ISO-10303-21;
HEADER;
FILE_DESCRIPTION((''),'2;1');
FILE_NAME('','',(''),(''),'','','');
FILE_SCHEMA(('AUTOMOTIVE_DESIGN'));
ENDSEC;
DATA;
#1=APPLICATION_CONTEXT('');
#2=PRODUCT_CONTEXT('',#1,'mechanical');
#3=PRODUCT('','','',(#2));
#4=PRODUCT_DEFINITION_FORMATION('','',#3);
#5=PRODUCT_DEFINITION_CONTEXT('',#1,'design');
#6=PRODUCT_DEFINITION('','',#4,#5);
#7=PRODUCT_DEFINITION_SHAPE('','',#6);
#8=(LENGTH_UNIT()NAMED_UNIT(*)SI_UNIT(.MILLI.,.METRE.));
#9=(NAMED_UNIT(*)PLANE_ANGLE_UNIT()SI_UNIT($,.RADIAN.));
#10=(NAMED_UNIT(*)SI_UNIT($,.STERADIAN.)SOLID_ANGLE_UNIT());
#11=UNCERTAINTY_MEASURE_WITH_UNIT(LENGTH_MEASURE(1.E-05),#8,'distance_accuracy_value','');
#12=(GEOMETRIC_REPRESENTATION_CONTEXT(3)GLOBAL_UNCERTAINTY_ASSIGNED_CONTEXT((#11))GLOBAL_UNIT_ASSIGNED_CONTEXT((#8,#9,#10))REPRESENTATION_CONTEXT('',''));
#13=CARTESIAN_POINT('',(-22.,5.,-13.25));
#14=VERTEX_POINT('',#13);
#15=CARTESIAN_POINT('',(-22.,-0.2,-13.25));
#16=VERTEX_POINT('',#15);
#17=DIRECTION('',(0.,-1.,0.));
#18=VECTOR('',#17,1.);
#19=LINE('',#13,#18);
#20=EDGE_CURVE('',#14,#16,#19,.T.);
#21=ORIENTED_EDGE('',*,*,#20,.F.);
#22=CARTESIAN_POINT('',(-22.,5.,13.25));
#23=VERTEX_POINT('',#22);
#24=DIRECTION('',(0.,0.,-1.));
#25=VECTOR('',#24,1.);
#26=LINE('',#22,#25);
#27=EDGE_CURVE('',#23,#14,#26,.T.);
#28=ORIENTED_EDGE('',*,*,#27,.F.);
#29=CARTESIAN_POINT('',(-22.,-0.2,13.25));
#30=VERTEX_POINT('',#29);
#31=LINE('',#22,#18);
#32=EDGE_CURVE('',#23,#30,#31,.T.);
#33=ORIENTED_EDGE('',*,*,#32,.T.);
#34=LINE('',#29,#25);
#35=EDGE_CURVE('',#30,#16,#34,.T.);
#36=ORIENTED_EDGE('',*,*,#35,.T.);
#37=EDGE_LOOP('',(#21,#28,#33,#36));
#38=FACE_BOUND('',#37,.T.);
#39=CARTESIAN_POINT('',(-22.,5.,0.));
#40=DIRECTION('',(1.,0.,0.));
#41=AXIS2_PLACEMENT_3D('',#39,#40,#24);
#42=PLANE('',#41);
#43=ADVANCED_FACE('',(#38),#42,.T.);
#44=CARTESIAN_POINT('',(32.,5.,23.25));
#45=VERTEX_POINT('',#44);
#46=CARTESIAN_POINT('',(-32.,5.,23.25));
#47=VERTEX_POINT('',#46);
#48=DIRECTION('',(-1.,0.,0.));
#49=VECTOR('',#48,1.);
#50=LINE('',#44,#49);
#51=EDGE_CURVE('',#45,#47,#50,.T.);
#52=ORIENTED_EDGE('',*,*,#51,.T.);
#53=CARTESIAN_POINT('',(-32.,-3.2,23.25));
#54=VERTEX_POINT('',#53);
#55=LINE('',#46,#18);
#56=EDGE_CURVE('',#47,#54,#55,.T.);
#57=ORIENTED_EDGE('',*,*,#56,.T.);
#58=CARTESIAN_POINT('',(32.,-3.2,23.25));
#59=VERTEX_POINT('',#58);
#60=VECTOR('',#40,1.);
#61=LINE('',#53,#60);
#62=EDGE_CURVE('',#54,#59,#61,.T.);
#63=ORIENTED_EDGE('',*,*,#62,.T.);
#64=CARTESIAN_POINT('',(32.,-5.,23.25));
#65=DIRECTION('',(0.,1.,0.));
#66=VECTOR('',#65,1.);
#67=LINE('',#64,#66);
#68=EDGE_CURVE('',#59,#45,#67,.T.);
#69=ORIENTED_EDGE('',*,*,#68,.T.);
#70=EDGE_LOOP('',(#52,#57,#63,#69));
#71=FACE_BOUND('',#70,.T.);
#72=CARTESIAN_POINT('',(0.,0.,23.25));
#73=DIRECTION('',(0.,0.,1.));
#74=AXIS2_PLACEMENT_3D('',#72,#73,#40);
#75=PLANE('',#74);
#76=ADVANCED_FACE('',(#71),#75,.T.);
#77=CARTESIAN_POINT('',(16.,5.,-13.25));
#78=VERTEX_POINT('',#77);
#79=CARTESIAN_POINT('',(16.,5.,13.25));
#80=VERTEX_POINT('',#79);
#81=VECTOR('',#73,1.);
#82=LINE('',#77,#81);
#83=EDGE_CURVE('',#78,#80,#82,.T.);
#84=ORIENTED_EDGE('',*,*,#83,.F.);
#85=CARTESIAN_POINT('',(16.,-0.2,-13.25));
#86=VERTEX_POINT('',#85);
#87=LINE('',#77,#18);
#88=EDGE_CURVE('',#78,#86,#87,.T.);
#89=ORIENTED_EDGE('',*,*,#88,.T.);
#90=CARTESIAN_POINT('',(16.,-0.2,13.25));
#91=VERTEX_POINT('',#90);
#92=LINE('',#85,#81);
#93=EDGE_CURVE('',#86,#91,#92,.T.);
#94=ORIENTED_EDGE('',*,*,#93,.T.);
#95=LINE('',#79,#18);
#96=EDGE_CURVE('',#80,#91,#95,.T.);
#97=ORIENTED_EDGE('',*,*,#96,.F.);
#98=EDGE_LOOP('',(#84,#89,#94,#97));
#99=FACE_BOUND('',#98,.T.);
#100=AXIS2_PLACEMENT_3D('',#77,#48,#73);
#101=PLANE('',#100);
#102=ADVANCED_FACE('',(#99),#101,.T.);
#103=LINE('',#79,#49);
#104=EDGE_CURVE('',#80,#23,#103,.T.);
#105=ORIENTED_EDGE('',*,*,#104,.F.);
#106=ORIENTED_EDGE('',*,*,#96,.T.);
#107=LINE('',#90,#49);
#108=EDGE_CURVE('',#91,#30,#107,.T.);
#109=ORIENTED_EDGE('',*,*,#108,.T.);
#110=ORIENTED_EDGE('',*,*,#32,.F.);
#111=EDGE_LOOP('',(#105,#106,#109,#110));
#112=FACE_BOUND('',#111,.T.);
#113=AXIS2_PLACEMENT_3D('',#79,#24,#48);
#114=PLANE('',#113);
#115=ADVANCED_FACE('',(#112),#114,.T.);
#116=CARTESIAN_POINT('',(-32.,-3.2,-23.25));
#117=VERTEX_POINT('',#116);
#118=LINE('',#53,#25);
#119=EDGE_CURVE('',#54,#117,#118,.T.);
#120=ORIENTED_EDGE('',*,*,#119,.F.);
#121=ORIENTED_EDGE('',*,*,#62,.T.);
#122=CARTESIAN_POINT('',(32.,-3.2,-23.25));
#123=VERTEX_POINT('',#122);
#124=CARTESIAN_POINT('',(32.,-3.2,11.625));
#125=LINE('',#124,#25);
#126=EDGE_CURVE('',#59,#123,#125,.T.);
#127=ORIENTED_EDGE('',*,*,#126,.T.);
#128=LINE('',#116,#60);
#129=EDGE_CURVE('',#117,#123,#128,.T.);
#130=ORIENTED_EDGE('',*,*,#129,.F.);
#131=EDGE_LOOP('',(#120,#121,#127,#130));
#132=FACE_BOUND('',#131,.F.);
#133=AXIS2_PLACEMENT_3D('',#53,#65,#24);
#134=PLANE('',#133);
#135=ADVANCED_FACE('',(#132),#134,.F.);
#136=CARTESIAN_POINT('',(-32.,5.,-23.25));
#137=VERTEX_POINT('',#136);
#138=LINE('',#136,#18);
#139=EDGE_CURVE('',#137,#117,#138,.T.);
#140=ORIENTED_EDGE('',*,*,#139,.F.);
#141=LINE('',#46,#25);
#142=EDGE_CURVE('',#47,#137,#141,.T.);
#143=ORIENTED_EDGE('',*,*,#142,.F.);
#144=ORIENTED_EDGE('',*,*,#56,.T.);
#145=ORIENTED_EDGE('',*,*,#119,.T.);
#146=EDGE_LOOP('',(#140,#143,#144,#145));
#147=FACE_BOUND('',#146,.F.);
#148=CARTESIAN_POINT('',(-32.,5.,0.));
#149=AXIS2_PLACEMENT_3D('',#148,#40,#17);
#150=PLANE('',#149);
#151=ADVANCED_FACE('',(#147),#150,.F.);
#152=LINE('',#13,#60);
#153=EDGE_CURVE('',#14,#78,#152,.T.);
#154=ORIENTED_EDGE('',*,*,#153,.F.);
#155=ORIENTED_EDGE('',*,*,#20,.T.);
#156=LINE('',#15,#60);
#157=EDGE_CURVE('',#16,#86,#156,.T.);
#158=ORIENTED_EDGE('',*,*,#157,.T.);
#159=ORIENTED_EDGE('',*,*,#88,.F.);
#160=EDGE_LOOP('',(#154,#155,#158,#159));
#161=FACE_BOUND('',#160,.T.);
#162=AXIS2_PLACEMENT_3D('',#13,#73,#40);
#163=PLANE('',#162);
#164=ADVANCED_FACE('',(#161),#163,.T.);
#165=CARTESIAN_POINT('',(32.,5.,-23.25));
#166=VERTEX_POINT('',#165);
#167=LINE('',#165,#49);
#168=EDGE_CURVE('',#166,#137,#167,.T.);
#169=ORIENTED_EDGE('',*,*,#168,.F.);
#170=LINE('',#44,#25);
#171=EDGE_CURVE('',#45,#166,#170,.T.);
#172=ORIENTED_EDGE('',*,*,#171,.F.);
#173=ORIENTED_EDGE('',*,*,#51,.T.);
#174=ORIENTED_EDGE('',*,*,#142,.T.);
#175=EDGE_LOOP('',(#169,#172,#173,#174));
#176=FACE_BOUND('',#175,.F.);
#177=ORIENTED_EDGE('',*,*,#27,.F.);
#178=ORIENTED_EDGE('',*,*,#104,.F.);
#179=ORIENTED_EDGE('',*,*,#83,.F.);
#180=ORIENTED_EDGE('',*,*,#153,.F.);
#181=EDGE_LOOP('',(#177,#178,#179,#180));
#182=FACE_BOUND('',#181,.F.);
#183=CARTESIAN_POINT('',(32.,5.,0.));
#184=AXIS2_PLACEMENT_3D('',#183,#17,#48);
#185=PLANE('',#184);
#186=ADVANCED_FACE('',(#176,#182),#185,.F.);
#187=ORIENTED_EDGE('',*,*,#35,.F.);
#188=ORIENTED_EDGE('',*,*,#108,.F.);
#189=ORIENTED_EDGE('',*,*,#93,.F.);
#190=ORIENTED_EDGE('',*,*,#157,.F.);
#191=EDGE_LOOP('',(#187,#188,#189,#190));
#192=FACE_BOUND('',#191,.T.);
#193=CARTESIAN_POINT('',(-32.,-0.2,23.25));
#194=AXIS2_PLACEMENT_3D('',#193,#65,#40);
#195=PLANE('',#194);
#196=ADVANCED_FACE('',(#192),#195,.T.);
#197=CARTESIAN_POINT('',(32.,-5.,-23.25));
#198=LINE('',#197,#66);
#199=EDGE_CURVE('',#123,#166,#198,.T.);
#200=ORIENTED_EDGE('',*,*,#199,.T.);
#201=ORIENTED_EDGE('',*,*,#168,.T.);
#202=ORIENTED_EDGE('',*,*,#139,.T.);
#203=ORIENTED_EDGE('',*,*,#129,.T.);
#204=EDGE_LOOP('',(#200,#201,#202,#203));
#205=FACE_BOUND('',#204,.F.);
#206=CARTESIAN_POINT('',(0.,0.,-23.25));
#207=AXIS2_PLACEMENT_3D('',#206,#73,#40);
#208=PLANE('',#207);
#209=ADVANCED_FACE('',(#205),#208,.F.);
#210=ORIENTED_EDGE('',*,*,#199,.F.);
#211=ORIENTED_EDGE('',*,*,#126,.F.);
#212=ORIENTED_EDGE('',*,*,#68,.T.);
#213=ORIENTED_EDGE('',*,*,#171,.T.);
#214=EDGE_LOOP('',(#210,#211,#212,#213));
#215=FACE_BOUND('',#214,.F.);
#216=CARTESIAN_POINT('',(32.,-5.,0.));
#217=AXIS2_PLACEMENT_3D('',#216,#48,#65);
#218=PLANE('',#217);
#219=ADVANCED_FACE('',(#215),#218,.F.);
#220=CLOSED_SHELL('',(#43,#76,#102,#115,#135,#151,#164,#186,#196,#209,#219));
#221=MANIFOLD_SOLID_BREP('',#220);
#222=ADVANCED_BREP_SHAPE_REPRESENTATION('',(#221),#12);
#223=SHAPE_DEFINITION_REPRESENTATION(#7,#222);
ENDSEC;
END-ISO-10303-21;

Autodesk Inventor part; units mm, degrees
ref_plane "YZ Plane" through (0, 0, 0) normal (1, 0, 0) x (0, 1, 0)
ref_plane "XZ Plane" through (0, 0, 0) normal (0, 1, 0) x (-1, 0, 0)
ref_plane "XY Plane" through (0, 0, 0) normal (0, 0, 1) x (1, 0, 0)
sketch "Sketch5" plane through (0, 0, 0) normal (0, 0, 1) x (1, 0, 0)
  line L0 (-32, -5) -> (32, -5)
  line L1 (32, -5) -> (32, 5)
  line L2 (32, 5) -> (-32, 5)
  line L3 (-32, 5) -> (-32, -5)
  line L4 (-32, -5) -> (32, 5) construction
  line L5 (32, -5) -> (-32, 5) construction
  point P0 (0, 0)
  dimension "d17" = 64
  dimension "d18" = 10
extrude "Extrusion5" add sketch "Sketch5" along normal mid plane 46.5
sketch "Sketch17" plane through (-32, 5, 23.25) normal (0, 1, 0) x (1, 0, 0)
  line L0 (0, 46.5) -> (0, 0) projected
  line L1 (0, 23.25) -> (10, 23.25)
  line L2 (10, 23.25) -> (10, 10)
  line L3 (10, 10) -> (10, 36.5)
  line L4 (10, 36.5) -> (48, 36.5)
  line L5 (48, 36.5) -> (48, 10)
  line L6 (48, 10) -> (10, 10)
  point P0 (32, 23.25)
  dimension "d84" = 10
  dimension "d85" = 13.25
  dimension "d86" = 26.5
  dimension "d87" = 38
extrude "Extrusion15" cut sketch "Sketch17" against normal blind 5.2
sketch "Sketch18" plane through (-32, -5, 23.25) normal (-1, 0, 0) x (0, 0, 1)
  line L0 (-46.5, 0) -> (-46.5, 10) projected
  line L1 (0, 10) -> (0, 0) projected
  line L2 (-46.5, 0) -> (0, 0)
  line L3 (0, 0) -> (0, 1.8)
  line L4 (0, 1.8) -> (-46.5, 1.8)
  line L5 (-46.5, 1.8) -> (-46.5, 0)
  point P0 (-23.25, 5)
  point P1 (0, 1.8)
  point P2 (-46.5, 1.8)
  dimension "d90" = 1.8
extrude "Extrusion16" cut sketch "Sketch18" against normal through all
properties part number "Enclosure-Bottom"
